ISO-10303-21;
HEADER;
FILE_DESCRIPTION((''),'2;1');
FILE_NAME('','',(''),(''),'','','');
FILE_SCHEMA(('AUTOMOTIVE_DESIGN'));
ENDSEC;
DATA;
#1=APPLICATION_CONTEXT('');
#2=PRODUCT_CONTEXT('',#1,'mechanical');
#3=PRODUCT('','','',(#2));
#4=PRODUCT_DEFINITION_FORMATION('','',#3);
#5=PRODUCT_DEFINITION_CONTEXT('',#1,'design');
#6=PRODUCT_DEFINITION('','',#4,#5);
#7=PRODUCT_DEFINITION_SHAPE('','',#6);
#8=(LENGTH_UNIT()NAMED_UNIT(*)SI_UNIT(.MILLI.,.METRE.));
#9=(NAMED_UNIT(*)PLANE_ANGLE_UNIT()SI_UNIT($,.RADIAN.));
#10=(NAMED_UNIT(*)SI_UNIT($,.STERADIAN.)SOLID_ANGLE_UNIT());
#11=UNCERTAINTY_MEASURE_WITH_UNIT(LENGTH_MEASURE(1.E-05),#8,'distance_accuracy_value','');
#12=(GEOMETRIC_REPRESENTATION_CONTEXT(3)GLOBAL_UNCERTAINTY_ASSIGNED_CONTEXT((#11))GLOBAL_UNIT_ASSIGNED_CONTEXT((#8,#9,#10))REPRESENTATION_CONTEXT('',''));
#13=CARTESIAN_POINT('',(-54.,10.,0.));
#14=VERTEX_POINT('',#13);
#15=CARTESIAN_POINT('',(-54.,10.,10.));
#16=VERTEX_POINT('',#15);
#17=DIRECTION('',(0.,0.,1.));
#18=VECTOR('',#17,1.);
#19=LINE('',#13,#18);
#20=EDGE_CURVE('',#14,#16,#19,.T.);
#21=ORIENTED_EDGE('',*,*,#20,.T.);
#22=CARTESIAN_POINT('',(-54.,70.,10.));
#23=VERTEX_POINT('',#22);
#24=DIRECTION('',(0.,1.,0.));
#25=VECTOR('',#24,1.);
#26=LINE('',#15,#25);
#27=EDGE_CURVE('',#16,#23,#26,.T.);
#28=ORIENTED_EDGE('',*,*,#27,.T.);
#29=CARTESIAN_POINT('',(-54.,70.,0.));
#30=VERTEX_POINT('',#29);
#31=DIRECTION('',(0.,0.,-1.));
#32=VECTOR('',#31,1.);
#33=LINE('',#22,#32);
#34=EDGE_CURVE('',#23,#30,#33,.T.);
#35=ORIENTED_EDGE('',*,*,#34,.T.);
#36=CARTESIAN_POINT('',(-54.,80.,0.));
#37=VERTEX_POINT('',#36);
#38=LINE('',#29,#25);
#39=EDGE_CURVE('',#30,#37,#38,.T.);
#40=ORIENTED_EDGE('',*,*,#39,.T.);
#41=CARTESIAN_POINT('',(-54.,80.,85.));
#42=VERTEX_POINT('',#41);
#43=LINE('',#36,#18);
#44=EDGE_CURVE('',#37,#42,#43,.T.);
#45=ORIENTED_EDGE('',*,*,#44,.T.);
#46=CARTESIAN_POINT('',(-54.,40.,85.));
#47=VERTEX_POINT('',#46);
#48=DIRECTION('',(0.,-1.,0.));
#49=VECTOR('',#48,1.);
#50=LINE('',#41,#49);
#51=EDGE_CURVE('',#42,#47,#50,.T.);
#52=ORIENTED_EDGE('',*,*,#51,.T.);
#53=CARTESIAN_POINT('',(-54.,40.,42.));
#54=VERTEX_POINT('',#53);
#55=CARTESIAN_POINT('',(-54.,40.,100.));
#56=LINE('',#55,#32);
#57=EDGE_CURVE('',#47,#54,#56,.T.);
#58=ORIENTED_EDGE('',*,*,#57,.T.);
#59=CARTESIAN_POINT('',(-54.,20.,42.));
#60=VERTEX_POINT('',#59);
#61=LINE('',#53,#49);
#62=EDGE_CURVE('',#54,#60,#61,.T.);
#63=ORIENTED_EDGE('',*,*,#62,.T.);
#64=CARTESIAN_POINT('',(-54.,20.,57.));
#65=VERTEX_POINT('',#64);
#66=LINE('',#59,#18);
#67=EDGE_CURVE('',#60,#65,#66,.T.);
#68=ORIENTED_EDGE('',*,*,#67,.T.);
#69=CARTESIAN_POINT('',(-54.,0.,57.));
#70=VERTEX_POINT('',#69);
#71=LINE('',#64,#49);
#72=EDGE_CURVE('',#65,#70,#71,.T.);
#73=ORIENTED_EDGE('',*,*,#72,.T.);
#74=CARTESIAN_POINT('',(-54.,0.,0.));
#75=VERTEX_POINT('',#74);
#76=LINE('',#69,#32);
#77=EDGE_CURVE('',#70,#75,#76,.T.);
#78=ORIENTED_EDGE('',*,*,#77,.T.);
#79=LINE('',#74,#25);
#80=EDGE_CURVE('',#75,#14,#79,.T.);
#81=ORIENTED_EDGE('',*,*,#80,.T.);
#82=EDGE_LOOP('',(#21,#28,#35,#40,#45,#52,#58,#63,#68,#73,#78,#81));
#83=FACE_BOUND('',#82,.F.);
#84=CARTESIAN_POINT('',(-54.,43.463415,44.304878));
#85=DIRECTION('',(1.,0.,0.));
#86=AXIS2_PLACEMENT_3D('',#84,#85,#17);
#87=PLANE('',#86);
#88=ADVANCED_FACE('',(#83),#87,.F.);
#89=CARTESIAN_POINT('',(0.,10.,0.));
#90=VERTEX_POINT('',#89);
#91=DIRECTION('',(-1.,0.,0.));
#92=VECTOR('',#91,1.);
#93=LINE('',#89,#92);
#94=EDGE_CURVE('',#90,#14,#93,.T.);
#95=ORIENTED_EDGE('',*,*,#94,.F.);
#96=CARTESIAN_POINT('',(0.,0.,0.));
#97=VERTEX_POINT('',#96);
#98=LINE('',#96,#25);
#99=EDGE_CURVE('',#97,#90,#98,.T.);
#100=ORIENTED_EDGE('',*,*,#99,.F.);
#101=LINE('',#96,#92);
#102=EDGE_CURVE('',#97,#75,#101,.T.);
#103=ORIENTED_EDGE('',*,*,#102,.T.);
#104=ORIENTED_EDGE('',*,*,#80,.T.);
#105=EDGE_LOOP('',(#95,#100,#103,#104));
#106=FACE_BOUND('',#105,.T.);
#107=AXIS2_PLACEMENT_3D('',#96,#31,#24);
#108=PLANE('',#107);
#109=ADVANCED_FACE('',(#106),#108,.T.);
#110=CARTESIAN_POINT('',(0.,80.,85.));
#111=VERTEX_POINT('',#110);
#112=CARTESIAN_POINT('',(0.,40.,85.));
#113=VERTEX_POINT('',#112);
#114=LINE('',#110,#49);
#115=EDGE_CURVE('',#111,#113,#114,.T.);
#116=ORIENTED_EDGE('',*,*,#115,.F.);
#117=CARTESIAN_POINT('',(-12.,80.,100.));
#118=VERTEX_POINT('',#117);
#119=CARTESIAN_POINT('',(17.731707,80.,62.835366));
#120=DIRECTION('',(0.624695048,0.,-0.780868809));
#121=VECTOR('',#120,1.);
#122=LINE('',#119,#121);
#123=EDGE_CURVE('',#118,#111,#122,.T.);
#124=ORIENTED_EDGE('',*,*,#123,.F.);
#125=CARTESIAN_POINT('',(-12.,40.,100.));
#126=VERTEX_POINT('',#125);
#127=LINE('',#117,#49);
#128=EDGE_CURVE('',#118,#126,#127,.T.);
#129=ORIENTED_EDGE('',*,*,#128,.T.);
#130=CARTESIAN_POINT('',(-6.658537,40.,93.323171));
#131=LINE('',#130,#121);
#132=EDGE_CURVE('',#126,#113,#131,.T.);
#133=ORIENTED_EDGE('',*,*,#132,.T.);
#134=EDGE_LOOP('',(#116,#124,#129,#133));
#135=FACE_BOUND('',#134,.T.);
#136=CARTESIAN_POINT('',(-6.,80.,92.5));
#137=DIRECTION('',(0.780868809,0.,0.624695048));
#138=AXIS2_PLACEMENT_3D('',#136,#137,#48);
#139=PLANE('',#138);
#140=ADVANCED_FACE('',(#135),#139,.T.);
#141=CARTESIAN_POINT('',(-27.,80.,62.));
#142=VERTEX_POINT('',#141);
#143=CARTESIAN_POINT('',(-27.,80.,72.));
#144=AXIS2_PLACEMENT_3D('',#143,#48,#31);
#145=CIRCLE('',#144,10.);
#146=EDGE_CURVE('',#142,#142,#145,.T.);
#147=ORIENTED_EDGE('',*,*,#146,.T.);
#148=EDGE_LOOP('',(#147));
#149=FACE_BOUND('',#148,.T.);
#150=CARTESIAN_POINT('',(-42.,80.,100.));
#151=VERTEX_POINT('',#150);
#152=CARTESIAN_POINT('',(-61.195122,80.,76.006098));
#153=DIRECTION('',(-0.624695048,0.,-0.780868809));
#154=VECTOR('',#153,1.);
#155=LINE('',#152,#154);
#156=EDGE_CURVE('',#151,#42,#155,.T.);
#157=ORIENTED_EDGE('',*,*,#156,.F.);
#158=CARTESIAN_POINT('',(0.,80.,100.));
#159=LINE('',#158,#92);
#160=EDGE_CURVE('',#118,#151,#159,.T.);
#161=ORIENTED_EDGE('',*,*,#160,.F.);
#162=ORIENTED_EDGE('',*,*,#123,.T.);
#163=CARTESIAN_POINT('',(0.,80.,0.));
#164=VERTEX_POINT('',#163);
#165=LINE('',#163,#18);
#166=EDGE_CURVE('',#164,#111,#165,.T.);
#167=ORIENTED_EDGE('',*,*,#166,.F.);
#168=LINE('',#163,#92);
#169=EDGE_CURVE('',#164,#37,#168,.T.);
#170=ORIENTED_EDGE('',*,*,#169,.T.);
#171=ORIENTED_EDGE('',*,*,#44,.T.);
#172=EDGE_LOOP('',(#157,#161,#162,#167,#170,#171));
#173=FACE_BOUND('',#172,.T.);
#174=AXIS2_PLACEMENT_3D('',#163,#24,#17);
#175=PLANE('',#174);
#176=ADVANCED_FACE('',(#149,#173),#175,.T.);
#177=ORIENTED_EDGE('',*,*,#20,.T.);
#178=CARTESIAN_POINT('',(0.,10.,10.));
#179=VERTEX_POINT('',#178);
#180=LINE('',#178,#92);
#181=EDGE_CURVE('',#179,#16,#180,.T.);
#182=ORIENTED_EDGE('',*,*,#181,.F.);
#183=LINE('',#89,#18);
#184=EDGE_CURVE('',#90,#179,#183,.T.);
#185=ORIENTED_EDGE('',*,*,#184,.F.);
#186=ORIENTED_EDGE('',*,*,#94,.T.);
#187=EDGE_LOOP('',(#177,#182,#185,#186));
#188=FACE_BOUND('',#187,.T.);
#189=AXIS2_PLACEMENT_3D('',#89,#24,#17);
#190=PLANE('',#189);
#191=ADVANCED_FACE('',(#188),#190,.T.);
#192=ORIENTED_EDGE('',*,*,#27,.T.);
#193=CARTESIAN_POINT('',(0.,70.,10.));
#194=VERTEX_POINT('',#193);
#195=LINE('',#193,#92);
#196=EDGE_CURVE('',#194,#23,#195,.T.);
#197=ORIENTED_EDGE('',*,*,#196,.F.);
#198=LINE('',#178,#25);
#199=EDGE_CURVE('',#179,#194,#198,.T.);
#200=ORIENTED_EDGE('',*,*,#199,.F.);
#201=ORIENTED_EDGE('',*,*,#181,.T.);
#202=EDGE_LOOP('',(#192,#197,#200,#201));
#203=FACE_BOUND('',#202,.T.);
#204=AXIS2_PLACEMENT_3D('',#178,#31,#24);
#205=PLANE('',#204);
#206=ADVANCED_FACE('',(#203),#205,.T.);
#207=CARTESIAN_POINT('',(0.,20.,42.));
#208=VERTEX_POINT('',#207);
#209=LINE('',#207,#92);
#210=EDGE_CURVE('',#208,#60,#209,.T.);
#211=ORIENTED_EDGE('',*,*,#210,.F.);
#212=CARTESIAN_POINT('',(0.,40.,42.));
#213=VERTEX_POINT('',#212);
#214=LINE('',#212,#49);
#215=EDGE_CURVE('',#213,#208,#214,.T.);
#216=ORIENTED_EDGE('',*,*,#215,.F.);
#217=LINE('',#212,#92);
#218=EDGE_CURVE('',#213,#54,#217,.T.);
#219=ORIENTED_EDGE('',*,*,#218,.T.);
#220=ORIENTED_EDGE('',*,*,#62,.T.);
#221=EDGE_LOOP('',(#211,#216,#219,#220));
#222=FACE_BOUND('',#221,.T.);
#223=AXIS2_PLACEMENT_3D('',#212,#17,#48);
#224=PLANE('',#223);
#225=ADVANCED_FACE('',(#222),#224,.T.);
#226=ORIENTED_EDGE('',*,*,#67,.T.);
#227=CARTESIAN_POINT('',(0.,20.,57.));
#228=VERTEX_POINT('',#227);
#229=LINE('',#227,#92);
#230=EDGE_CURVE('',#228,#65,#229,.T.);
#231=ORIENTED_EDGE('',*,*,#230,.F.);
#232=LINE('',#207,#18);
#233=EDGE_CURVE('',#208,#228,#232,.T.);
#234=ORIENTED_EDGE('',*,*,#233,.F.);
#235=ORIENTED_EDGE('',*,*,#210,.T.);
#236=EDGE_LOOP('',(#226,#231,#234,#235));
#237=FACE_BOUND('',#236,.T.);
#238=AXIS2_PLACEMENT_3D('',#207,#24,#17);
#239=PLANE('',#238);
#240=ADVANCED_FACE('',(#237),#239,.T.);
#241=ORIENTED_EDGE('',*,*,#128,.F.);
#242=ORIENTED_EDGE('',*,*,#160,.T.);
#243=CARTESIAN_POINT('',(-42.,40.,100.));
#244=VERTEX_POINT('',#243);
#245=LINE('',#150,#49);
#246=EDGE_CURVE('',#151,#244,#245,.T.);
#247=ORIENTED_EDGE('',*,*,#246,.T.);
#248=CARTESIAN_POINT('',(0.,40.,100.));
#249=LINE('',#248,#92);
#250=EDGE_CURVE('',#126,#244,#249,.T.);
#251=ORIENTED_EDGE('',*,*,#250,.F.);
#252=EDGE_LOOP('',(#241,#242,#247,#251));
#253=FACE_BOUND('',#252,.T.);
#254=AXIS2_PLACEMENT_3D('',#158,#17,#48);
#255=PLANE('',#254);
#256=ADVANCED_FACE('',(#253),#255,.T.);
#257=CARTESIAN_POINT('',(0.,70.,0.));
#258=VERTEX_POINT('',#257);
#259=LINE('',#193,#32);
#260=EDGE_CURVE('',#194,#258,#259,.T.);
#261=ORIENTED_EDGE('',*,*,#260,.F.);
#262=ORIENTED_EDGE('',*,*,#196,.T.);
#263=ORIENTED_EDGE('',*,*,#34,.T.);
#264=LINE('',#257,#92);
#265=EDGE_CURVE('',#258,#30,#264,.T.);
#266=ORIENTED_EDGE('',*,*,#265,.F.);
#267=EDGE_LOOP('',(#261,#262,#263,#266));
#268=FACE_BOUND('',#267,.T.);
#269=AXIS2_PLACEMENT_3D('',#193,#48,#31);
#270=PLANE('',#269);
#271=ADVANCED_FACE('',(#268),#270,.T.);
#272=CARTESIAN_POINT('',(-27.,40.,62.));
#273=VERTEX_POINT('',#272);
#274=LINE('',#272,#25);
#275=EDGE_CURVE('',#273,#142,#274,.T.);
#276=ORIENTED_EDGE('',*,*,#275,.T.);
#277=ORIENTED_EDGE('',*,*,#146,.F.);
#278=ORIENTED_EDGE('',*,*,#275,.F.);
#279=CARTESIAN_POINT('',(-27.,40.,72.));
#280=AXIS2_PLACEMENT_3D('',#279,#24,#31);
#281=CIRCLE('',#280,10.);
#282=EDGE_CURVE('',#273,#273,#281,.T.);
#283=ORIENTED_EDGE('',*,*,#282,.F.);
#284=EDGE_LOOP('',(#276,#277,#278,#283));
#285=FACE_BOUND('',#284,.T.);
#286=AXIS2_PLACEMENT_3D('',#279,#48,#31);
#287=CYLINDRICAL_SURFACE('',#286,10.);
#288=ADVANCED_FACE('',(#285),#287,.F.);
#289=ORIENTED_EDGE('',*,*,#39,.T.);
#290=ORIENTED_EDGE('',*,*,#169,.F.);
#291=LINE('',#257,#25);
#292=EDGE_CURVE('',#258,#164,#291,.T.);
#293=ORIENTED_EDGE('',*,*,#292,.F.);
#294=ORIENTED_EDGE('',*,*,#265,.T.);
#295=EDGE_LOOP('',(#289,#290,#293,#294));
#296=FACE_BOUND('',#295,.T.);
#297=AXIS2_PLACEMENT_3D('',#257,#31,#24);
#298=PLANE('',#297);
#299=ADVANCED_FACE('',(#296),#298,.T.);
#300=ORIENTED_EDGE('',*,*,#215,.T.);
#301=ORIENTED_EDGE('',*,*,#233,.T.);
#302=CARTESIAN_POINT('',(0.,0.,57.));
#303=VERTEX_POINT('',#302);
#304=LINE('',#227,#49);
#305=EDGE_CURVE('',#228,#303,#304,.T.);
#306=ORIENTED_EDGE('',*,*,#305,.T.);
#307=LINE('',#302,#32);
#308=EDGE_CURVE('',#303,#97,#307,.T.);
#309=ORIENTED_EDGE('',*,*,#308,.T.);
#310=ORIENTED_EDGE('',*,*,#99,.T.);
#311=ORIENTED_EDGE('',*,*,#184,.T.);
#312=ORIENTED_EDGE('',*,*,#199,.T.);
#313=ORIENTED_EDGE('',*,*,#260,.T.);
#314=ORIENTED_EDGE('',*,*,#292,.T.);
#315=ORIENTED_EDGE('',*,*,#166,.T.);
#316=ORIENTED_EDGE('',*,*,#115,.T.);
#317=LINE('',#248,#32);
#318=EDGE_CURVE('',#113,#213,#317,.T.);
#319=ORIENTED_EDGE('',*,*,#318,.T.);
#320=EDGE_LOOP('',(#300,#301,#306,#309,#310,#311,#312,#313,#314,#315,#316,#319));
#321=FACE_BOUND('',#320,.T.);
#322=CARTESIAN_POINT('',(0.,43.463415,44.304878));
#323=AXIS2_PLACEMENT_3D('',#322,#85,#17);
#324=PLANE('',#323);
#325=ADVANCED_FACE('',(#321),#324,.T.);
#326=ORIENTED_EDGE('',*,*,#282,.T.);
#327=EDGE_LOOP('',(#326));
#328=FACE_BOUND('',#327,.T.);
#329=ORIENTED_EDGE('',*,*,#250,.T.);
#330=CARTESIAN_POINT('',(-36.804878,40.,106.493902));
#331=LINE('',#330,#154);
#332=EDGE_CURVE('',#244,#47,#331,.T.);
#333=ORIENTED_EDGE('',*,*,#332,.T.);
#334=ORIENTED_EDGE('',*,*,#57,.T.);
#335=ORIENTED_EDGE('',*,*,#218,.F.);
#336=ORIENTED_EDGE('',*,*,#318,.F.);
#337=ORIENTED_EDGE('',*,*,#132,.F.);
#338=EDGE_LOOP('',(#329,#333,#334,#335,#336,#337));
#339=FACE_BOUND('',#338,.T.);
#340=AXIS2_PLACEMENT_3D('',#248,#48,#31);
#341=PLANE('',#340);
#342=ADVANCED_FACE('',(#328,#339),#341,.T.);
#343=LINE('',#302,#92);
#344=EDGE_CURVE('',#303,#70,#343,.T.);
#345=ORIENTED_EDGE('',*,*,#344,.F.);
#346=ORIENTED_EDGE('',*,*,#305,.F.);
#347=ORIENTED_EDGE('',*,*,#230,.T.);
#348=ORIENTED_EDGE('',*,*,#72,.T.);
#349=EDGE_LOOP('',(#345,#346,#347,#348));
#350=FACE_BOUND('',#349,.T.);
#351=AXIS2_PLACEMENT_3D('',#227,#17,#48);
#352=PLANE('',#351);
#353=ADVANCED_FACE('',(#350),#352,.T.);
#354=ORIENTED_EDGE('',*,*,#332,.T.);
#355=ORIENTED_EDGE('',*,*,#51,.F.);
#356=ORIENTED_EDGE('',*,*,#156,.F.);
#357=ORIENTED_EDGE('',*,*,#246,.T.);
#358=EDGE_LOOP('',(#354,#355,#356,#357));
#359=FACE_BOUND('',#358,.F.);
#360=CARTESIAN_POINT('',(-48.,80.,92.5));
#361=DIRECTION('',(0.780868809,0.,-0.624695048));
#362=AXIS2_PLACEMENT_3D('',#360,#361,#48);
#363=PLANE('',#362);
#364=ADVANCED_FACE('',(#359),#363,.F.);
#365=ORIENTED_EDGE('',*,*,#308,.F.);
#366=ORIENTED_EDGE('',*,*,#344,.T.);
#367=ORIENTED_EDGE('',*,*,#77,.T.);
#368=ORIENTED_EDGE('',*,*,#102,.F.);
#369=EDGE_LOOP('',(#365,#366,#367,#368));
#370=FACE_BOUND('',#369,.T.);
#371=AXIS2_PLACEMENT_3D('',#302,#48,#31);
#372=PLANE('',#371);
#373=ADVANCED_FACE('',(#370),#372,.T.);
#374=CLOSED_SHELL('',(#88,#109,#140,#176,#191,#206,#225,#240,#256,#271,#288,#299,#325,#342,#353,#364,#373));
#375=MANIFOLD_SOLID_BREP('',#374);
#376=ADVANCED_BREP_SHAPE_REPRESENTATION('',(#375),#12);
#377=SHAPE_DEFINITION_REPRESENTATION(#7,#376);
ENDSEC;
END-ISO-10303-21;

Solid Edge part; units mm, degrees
sketch "Sketch1" plane through (0, 0, 0) normal (1, 0, 0) x (0, 1, 0)
  line L0 (20, 42) -> (20, 57)
  line L1 (20, 57) -> (0, 57)
  line L2 (0, 57) -> (0, 0)
  line L3 (0, 0) -> (10, 0)
  line L4 (10, 0) -> (10, 10)
  line L5 (10, 10) -> (70, 10)
  line L6 (70, 10) -> (70, 0)
  line L7 (70, 0) -> (80, 0)
  line L8 (80, 0) -> (80, 100)
  line L9 (80, 100) -> (40, 100)
  line L10 (40, 100) -> (40, 42)
  line L11 (40, 42) -> (20, 42)
extrude "ExtrudedProtrusion_1" add sketch "Sketch1" against normal blind 54
chamfer "Chamfer_1" distance 12 distance2 15 1 edges at (0, 60, 100) measured on face at (-44.46, 73.7333, 100)
chamfer "Chamfer_2" distance 12 distance2 15 1 edges at (-54, 60, 100) measured on face at (-46.58, 73.7333, 100)
hole "Hole_1" at (-27, 40, 72) direction (0, 1, 0) diameter 20 end up to next
